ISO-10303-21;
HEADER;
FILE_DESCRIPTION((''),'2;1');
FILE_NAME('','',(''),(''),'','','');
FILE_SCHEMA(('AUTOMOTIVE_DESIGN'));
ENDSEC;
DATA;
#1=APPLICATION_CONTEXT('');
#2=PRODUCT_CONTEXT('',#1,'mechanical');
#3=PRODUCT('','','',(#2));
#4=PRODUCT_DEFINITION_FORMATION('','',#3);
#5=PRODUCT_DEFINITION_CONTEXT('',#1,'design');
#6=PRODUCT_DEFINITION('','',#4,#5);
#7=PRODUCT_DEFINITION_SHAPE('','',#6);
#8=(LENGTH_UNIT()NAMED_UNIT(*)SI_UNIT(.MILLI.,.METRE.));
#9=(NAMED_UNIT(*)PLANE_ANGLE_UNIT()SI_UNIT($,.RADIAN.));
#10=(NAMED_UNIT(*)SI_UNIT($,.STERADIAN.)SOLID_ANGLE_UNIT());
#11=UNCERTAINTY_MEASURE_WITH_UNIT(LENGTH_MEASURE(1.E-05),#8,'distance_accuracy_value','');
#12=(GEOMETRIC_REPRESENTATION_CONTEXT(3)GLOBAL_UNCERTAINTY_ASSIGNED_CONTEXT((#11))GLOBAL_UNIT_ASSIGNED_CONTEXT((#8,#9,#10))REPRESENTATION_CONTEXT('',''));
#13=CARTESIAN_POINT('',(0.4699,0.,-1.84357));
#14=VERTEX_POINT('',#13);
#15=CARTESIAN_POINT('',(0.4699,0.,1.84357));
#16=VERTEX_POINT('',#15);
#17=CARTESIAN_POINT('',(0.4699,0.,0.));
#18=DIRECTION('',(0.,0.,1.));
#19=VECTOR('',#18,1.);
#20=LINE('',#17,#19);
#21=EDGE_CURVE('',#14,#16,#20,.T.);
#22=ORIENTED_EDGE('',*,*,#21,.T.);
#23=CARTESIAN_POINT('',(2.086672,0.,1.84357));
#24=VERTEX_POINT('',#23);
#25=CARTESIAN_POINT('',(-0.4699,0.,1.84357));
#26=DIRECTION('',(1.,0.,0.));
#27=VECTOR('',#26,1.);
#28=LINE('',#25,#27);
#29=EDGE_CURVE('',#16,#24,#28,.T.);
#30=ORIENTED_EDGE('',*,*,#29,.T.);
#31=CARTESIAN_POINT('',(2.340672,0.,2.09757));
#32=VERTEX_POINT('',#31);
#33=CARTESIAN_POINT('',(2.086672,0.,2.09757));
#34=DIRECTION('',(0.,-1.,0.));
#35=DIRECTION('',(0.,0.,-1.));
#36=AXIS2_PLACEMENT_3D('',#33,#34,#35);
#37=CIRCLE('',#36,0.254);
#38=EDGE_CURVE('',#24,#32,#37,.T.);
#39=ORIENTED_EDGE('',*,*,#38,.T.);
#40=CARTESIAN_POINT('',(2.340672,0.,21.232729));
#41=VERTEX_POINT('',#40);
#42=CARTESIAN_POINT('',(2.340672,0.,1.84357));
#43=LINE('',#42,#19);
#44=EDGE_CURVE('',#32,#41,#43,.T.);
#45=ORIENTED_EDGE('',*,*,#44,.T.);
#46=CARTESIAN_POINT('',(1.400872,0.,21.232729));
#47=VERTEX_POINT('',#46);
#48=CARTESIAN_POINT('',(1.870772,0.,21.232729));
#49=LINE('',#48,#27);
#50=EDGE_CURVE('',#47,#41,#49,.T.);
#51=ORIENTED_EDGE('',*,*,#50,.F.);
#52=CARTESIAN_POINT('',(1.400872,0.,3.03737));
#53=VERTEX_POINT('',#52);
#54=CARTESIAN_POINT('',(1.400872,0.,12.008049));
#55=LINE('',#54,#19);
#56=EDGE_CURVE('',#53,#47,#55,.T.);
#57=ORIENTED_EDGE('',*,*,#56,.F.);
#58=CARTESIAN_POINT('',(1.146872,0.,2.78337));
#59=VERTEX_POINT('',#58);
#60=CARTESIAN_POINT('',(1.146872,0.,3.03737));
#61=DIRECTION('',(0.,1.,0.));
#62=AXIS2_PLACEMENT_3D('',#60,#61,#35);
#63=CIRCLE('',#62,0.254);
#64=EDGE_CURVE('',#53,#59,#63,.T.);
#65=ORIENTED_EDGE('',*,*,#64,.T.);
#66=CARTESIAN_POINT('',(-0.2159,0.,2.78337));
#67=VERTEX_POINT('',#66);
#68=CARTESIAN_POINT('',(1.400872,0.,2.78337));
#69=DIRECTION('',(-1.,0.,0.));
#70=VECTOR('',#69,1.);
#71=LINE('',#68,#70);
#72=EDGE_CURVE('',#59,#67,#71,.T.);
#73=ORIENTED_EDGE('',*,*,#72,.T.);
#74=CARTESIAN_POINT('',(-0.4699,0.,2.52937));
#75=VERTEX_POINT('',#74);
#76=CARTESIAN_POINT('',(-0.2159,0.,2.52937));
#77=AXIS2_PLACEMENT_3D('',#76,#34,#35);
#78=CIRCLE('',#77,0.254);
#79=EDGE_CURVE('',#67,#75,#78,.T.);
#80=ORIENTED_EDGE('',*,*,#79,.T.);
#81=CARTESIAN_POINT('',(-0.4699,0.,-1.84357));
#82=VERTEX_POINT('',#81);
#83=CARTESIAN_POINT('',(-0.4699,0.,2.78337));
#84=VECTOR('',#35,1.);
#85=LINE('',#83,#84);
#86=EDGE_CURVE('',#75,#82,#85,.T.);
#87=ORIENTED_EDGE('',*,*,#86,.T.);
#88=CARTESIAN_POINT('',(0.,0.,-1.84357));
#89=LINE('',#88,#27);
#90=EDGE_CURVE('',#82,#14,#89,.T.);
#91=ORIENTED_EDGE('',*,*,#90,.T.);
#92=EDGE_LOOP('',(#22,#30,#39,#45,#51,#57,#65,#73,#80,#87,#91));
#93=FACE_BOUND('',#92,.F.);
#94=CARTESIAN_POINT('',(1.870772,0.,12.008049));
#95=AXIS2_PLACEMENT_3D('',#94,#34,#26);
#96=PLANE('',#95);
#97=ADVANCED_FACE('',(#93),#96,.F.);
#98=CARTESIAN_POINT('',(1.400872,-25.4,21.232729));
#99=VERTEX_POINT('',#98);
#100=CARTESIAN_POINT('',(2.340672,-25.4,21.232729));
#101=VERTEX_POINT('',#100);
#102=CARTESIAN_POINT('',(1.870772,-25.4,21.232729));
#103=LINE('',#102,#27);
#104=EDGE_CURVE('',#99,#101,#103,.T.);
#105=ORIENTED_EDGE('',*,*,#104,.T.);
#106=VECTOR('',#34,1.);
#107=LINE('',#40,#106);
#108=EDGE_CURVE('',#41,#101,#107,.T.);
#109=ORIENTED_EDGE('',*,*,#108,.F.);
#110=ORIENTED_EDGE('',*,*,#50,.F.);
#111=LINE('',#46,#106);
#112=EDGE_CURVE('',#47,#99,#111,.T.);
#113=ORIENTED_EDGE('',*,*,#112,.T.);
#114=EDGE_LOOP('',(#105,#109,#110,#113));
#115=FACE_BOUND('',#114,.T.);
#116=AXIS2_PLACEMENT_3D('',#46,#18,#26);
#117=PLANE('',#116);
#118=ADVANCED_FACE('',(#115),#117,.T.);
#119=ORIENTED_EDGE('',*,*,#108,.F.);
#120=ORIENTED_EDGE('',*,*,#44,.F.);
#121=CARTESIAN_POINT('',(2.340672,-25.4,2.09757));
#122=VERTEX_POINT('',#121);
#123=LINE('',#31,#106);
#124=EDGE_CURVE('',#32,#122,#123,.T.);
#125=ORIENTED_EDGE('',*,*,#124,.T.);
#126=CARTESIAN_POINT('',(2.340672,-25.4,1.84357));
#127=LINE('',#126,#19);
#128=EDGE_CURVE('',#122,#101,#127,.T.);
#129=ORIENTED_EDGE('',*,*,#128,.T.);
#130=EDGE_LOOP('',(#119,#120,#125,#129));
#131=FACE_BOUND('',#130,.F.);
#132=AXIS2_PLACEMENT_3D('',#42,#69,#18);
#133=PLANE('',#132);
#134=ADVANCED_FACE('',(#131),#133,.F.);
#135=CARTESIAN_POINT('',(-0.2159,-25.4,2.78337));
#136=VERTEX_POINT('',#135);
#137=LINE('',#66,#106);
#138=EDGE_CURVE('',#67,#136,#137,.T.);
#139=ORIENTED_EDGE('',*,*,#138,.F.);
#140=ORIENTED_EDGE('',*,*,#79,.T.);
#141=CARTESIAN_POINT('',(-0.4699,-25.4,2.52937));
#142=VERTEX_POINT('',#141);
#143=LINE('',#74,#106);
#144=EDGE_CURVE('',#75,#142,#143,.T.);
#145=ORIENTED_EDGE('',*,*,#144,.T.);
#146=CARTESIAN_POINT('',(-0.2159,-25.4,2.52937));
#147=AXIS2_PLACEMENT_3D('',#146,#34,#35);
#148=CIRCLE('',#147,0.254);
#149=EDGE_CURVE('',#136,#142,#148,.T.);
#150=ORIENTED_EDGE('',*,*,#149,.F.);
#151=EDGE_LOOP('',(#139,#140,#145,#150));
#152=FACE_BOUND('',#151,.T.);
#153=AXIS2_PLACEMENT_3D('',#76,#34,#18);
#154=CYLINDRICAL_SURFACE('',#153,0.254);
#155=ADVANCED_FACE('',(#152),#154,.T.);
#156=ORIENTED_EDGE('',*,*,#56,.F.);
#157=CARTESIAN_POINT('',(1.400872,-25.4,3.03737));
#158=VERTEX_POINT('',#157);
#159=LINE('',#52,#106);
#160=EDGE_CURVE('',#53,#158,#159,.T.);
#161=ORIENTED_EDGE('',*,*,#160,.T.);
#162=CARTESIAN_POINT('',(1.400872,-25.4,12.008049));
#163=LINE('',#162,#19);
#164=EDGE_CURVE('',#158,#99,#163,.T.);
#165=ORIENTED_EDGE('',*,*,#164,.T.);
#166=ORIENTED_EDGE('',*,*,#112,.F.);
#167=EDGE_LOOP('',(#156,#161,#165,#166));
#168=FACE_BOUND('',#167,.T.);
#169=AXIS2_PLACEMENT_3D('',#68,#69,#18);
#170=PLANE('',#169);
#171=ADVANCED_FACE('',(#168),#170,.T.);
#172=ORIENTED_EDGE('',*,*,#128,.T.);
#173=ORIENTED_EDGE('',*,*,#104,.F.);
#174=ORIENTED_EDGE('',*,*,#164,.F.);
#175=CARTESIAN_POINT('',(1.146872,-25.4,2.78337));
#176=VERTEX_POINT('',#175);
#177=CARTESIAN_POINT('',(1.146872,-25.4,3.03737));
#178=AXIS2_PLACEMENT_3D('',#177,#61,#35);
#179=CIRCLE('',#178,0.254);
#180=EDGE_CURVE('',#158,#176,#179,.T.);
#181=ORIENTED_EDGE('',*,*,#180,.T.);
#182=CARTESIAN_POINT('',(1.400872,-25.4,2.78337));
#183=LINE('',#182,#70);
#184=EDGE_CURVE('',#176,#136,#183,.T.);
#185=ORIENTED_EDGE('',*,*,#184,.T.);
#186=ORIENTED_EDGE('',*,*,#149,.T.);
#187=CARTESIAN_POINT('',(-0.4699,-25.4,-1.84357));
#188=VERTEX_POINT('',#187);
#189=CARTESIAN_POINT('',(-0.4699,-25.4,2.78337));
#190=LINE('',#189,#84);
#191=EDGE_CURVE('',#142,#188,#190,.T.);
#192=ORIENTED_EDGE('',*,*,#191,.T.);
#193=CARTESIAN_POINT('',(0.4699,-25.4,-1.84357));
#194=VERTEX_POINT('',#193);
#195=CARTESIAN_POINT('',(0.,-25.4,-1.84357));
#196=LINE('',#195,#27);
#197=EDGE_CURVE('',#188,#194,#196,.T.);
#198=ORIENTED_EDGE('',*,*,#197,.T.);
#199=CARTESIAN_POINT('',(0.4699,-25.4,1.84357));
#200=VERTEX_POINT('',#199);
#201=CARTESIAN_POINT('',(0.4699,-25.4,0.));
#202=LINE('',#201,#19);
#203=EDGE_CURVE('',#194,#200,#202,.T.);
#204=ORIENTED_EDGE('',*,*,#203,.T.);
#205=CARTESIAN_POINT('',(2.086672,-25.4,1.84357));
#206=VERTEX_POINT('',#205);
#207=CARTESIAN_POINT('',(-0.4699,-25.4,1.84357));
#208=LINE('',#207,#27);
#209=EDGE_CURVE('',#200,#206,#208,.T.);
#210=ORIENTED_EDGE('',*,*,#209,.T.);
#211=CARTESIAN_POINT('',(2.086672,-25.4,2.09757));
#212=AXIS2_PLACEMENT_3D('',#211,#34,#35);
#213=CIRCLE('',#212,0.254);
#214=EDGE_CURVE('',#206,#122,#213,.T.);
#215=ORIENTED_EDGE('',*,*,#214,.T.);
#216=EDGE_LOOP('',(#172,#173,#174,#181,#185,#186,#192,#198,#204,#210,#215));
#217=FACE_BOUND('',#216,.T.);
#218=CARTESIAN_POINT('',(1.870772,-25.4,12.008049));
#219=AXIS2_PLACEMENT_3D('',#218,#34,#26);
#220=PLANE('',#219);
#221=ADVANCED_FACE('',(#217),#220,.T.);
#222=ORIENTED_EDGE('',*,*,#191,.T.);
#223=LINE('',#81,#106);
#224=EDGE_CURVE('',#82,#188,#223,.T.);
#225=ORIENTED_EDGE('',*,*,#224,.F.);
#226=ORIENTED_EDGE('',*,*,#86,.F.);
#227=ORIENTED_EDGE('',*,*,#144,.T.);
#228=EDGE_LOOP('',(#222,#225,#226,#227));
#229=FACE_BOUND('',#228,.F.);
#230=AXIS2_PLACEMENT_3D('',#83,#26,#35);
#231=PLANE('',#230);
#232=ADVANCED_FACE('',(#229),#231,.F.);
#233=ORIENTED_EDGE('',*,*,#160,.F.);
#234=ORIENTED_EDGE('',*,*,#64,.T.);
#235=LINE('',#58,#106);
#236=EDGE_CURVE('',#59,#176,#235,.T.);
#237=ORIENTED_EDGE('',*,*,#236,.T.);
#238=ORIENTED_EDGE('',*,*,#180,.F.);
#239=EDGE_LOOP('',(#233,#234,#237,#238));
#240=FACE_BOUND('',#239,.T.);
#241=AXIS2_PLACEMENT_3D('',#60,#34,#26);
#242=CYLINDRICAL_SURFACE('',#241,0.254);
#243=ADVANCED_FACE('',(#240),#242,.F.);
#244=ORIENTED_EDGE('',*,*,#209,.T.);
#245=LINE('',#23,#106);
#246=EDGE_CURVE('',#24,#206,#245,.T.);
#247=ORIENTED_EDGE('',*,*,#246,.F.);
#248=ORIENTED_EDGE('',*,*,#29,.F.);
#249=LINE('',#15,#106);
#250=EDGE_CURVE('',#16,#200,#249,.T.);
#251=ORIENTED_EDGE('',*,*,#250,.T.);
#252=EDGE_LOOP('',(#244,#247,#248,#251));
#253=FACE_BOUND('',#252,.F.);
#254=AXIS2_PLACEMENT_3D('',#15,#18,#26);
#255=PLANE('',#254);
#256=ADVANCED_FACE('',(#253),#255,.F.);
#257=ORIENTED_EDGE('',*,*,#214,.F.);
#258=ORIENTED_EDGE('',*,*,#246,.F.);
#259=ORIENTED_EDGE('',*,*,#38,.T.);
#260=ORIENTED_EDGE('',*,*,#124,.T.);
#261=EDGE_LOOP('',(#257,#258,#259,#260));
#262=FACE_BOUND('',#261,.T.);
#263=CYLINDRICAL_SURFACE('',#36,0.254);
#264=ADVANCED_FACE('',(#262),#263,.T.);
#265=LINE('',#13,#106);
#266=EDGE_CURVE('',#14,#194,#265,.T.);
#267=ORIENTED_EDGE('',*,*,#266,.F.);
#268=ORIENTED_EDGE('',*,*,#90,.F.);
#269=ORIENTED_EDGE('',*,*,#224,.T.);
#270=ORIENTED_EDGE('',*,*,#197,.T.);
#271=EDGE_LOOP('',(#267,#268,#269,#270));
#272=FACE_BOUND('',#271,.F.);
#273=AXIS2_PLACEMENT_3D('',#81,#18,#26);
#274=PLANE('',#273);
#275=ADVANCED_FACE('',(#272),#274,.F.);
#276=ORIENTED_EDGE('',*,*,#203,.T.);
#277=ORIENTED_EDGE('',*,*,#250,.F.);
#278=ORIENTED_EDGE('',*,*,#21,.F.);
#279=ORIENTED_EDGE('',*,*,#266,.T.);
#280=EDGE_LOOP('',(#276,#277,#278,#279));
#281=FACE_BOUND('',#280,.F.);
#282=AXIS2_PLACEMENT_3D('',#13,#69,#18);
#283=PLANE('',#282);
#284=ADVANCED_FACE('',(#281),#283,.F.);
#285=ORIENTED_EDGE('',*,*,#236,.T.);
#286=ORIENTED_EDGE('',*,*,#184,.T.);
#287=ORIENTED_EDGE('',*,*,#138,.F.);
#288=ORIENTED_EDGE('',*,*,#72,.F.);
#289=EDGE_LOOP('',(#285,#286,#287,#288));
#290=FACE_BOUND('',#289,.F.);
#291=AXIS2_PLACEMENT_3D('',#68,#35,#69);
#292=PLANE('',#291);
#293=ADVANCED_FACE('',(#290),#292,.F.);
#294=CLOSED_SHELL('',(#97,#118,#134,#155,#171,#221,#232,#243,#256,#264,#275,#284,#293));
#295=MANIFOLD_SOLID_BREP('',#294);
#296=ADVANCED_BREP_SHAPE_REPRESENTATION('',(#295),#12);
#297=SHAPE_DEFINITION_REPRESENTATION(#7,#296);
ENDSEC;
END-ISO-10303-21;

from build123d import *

# Parameters (mm, degrees)
F0_W     = 0.9398
F0_H     = 18.449359
F0_H_2   = 3.68714
F1_DEPTH = 25.4
F2_R     = 0.254


with BuildPart() as f1:
    # F0 (on Front) → F1 (new body)
    with BuildSketch(Plane.XZ):
        with Locations((1.870772, 12.008049)):
            Rectangle(F0_W, F0_H)
        Polygon((-0.4699, 1.84357), (0.4699, 1.84357), (2.340672, 1.84357), (2.340672, 2.78337), (1.400872, 2.78337), (-0.4699, 2.78337), align=None)
        Rectangle(F0_W, F0_H_2)
    extrude(amount=F1_DEPTH)

    # F2
    f2_edges = [f1.edges().sort_by_distance(p)[0] for p in [
        (1.400872, -12.7, 2.78337),
        (-0.4699, -12.7, 2.78337),
        (2.340672, -12.7, 1.84357),
    ]]
    fillet(f2_edges, radius=F2_R)


solid = f1.part
